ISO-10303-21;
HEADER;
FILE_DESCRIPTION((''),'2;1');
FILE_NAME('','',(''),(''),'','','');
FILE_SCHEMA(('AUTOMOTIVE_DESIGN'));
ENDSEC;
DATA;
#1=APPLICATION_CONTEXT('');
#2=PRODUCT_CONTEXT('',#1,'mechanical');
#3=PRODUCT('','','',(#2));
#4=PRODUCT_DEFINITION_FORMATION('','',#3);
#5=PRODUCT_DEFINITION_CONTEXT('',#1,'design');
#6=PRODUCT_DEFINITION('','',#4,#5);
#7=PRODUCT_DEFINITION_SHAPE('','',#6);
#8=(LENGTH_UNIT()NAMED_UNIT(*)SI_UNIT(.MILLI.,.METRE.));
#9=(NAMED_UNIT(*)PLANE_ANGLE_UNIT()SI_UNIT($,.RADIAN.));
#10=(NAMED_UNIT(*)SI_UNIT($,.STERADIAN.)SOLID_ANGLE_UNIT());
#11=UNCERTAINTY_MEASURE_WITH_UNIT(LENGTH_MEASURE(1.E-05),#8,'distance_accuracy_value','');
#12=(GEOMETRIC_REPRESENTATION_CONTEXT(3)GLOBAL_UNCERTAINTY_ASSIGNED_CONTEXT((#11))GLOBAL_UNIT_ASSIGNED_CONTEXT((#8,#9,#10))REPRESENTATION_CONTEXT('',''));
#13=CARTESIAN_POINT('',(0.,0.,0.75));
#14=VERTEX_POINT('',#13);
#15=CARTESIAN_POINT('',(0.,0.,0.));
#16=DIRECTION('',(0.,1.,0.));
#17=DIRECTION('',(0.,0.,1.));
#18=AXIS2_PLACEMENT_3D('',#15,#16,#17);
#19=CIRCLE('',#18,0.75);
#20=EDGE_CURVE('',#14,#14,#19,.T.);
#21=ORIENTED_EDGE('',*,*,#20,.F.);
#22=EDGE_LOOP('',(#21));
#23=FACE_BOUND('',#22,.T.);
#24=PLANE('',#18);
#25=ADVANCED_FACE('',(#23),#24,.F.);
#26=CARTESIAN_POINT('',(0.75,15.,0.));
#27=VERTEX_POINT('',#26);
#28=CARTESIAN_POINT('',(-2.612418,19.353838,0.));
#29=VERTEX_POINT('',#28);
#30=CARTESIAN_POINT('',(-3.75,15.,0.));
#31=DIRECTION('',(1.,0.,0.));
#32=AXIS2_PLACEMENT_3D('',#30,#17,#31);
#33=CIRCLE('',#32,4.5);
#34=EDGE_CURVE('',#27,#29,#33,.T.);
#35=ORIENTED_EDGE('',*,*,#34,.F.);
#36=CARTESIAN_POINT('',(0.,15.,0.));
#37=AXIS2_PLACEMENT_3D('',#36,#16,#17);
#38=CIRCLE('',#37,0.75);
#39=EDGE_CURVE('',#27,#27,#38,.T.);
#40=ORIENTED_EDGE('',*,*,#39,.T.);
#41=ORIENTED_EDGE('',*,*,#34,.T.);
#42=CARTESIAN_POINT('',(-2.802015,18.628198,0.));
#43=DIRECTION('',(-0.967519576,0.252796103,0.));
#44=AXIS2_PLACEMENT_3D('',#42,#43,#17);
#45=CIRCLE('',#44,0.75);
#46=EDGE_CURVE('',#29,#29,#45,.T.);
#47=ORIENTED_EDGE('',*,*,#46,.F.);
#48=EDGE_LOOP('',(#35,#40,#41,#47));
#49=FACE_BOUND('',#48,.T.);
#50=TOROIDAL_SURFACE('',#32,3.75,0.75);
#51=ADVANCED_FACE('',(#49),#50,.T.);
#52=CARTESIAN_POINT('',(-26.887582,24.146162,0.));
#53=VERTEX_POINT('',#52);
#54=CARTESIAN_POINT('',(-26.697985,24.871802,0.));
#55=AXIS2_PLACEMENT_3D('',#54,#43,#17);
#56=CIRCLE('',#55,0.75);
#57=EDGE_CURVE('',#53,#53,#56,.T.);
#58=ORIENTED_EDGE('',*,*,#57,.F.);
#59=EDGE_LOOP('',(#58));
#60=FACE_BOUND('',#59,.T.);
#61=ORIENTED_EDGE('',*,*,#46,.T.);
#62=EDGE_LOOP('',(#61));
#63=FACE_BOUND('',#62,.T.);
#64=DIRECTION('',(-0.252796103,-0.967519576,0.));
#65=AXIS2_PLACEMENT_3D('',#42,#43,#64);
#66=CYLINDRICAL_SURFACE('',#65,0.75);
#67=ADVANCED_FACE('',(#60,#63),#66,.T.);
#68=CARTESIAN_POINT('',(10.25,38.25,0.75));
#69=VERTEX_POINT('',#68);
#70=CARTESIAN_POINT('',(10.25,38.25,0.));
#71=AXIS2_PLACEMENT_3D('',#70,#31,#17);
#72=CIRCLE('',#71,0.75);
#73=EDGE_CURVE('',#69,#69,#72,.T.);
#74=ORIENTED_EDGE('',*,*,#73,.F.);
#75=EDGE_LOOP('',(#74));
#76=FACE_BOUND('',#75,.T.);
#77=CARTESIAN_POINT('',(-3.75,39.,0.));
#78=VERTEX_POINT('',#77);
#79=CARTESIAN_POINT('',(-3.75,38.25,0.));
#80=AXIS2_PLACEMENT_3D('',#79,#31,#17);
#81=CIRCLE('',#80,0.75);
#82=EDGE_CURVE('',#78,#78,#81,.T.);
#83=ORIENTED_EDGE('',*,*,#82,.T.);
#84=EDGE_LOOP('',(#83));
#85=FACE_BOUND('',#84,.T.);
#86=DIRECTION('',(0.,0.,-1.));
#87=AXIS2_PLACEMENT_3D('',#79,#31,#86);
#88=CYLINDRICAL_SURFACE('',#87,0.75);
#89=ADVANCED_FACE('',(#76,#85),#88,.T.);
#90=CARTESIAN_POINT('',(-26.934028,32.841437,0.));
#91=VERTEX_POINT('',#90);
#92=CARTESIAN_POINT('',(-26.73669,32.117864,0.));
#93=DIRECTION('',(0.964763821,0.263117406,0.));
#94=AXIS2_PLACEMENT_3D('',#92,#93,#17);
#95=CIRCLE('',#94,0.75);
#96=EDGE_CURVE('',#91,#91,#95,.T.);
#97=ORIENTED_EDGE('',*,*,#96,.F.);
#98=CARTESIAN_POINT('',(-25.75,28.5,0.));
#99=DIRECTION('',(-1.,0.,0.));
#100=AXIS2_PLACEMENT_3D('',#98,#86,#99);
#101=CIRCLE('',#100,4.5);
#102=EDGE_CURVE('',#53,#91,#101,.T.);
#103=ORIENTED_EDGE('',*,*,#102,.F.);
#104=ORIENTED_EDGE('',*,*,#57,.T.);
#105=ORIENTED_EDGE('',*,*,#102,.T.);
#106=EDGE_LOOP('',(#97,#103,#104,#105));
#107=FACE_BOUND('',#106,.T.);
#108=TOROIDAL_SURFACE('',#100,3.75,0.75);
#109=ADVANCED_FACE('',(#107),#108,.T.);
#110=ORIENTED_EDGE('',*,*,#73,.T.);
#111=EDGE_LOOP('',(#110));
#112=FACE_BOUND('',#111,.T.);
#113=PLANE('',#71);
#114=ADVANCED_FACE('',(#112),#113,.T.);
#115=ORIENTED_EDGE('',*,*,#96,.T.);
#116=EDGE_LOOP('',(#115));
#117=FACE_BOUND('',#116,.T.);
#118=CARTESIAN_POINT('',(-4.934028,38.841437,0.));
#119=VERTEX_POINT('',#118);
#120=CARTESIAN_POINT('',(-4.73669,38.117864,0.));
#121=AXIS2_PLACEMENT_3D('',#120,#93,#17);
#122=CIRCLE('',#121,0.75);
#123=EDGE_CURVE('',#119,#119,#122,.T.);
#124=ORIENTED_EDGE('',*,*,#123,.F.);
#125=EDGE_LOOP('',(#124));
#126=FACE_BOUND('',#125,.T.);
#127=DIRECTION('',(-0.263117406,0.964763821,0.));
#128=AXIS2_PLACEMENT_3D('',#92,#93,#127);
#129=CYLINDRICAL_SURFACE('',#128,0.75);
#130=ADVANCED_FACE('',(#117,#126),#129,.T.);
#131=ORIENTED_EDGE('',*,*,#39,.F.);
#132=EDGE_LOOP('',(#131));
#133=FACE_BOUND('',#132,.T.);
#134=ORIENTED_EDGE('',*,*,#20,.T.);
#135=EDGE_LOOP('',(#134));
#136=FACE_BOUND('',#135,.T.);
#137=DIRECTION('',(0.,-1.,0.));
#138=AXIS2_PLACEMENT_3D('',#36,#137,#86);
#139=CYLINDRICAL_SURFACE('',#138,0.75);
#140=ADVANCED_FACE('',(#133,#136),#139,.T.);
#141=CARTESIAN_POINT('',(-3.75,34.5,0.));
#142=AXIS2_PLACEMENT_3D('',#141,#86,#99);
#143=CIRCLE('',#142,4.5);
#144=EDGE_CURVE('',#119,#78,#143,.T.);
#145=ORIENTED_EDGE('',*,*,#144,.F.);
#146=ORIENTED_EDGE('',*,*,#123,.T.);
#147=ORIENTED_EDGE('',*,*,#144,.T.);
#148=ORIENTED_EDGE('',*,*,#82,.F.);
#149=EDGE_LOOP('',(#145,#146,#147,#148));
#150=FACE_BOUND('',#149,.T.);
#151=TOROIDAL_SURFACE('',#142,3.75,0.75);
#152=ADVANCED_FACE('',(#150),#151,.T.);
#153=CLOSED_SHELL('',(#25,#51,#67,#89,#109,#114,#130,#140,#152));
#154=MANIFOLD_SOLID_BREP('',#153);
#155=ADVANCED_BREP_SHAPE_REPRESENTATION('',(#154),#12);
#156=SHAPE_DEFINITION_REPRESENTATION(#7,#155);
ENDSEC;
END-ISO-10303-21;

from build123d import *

# Parameters (mm, degrees)
SKIZZE2_R = 0.75


with BuildPart() as part:
    # Austragung1: sweep along a path in Skizze1
    with BuildLine(Plane.XY) as austragung1_path:
        Line((0, 0), (0, 15))
        ThreePointArc((0, 15), (-0.782050775, 17.292111995), (-2.802014612, 18.62819841))
        Line((-2.802014612, 18.62819841), (-26.697985388, 24.87180159))
        ThreePointArc((-26.697985388, 24.87180159), (-29.499946504, 28.47996964), (-26.736690272, 32.11786433))
        Line((-26.736690272, 32.11786433), (-4.736690272, 38.11786433))
        ThreePointArc((-4.736690272, 38.11786433), (-4.247749316, 38.216819288), (-3.75, 38.25))
        Line((-3.75, 38.25), (10.25, 38.25))
    # Skizze2 → Austragung1 (sweep)
    with BuildSketch(Plane(origin=(0, 0, 0), x_dir=(1, 0, 0), z_dir=(0, 1, 0))):
        Circle(SKIZZE2_R)
    sweep(path=austragung1_path.line)


solid = part.part
